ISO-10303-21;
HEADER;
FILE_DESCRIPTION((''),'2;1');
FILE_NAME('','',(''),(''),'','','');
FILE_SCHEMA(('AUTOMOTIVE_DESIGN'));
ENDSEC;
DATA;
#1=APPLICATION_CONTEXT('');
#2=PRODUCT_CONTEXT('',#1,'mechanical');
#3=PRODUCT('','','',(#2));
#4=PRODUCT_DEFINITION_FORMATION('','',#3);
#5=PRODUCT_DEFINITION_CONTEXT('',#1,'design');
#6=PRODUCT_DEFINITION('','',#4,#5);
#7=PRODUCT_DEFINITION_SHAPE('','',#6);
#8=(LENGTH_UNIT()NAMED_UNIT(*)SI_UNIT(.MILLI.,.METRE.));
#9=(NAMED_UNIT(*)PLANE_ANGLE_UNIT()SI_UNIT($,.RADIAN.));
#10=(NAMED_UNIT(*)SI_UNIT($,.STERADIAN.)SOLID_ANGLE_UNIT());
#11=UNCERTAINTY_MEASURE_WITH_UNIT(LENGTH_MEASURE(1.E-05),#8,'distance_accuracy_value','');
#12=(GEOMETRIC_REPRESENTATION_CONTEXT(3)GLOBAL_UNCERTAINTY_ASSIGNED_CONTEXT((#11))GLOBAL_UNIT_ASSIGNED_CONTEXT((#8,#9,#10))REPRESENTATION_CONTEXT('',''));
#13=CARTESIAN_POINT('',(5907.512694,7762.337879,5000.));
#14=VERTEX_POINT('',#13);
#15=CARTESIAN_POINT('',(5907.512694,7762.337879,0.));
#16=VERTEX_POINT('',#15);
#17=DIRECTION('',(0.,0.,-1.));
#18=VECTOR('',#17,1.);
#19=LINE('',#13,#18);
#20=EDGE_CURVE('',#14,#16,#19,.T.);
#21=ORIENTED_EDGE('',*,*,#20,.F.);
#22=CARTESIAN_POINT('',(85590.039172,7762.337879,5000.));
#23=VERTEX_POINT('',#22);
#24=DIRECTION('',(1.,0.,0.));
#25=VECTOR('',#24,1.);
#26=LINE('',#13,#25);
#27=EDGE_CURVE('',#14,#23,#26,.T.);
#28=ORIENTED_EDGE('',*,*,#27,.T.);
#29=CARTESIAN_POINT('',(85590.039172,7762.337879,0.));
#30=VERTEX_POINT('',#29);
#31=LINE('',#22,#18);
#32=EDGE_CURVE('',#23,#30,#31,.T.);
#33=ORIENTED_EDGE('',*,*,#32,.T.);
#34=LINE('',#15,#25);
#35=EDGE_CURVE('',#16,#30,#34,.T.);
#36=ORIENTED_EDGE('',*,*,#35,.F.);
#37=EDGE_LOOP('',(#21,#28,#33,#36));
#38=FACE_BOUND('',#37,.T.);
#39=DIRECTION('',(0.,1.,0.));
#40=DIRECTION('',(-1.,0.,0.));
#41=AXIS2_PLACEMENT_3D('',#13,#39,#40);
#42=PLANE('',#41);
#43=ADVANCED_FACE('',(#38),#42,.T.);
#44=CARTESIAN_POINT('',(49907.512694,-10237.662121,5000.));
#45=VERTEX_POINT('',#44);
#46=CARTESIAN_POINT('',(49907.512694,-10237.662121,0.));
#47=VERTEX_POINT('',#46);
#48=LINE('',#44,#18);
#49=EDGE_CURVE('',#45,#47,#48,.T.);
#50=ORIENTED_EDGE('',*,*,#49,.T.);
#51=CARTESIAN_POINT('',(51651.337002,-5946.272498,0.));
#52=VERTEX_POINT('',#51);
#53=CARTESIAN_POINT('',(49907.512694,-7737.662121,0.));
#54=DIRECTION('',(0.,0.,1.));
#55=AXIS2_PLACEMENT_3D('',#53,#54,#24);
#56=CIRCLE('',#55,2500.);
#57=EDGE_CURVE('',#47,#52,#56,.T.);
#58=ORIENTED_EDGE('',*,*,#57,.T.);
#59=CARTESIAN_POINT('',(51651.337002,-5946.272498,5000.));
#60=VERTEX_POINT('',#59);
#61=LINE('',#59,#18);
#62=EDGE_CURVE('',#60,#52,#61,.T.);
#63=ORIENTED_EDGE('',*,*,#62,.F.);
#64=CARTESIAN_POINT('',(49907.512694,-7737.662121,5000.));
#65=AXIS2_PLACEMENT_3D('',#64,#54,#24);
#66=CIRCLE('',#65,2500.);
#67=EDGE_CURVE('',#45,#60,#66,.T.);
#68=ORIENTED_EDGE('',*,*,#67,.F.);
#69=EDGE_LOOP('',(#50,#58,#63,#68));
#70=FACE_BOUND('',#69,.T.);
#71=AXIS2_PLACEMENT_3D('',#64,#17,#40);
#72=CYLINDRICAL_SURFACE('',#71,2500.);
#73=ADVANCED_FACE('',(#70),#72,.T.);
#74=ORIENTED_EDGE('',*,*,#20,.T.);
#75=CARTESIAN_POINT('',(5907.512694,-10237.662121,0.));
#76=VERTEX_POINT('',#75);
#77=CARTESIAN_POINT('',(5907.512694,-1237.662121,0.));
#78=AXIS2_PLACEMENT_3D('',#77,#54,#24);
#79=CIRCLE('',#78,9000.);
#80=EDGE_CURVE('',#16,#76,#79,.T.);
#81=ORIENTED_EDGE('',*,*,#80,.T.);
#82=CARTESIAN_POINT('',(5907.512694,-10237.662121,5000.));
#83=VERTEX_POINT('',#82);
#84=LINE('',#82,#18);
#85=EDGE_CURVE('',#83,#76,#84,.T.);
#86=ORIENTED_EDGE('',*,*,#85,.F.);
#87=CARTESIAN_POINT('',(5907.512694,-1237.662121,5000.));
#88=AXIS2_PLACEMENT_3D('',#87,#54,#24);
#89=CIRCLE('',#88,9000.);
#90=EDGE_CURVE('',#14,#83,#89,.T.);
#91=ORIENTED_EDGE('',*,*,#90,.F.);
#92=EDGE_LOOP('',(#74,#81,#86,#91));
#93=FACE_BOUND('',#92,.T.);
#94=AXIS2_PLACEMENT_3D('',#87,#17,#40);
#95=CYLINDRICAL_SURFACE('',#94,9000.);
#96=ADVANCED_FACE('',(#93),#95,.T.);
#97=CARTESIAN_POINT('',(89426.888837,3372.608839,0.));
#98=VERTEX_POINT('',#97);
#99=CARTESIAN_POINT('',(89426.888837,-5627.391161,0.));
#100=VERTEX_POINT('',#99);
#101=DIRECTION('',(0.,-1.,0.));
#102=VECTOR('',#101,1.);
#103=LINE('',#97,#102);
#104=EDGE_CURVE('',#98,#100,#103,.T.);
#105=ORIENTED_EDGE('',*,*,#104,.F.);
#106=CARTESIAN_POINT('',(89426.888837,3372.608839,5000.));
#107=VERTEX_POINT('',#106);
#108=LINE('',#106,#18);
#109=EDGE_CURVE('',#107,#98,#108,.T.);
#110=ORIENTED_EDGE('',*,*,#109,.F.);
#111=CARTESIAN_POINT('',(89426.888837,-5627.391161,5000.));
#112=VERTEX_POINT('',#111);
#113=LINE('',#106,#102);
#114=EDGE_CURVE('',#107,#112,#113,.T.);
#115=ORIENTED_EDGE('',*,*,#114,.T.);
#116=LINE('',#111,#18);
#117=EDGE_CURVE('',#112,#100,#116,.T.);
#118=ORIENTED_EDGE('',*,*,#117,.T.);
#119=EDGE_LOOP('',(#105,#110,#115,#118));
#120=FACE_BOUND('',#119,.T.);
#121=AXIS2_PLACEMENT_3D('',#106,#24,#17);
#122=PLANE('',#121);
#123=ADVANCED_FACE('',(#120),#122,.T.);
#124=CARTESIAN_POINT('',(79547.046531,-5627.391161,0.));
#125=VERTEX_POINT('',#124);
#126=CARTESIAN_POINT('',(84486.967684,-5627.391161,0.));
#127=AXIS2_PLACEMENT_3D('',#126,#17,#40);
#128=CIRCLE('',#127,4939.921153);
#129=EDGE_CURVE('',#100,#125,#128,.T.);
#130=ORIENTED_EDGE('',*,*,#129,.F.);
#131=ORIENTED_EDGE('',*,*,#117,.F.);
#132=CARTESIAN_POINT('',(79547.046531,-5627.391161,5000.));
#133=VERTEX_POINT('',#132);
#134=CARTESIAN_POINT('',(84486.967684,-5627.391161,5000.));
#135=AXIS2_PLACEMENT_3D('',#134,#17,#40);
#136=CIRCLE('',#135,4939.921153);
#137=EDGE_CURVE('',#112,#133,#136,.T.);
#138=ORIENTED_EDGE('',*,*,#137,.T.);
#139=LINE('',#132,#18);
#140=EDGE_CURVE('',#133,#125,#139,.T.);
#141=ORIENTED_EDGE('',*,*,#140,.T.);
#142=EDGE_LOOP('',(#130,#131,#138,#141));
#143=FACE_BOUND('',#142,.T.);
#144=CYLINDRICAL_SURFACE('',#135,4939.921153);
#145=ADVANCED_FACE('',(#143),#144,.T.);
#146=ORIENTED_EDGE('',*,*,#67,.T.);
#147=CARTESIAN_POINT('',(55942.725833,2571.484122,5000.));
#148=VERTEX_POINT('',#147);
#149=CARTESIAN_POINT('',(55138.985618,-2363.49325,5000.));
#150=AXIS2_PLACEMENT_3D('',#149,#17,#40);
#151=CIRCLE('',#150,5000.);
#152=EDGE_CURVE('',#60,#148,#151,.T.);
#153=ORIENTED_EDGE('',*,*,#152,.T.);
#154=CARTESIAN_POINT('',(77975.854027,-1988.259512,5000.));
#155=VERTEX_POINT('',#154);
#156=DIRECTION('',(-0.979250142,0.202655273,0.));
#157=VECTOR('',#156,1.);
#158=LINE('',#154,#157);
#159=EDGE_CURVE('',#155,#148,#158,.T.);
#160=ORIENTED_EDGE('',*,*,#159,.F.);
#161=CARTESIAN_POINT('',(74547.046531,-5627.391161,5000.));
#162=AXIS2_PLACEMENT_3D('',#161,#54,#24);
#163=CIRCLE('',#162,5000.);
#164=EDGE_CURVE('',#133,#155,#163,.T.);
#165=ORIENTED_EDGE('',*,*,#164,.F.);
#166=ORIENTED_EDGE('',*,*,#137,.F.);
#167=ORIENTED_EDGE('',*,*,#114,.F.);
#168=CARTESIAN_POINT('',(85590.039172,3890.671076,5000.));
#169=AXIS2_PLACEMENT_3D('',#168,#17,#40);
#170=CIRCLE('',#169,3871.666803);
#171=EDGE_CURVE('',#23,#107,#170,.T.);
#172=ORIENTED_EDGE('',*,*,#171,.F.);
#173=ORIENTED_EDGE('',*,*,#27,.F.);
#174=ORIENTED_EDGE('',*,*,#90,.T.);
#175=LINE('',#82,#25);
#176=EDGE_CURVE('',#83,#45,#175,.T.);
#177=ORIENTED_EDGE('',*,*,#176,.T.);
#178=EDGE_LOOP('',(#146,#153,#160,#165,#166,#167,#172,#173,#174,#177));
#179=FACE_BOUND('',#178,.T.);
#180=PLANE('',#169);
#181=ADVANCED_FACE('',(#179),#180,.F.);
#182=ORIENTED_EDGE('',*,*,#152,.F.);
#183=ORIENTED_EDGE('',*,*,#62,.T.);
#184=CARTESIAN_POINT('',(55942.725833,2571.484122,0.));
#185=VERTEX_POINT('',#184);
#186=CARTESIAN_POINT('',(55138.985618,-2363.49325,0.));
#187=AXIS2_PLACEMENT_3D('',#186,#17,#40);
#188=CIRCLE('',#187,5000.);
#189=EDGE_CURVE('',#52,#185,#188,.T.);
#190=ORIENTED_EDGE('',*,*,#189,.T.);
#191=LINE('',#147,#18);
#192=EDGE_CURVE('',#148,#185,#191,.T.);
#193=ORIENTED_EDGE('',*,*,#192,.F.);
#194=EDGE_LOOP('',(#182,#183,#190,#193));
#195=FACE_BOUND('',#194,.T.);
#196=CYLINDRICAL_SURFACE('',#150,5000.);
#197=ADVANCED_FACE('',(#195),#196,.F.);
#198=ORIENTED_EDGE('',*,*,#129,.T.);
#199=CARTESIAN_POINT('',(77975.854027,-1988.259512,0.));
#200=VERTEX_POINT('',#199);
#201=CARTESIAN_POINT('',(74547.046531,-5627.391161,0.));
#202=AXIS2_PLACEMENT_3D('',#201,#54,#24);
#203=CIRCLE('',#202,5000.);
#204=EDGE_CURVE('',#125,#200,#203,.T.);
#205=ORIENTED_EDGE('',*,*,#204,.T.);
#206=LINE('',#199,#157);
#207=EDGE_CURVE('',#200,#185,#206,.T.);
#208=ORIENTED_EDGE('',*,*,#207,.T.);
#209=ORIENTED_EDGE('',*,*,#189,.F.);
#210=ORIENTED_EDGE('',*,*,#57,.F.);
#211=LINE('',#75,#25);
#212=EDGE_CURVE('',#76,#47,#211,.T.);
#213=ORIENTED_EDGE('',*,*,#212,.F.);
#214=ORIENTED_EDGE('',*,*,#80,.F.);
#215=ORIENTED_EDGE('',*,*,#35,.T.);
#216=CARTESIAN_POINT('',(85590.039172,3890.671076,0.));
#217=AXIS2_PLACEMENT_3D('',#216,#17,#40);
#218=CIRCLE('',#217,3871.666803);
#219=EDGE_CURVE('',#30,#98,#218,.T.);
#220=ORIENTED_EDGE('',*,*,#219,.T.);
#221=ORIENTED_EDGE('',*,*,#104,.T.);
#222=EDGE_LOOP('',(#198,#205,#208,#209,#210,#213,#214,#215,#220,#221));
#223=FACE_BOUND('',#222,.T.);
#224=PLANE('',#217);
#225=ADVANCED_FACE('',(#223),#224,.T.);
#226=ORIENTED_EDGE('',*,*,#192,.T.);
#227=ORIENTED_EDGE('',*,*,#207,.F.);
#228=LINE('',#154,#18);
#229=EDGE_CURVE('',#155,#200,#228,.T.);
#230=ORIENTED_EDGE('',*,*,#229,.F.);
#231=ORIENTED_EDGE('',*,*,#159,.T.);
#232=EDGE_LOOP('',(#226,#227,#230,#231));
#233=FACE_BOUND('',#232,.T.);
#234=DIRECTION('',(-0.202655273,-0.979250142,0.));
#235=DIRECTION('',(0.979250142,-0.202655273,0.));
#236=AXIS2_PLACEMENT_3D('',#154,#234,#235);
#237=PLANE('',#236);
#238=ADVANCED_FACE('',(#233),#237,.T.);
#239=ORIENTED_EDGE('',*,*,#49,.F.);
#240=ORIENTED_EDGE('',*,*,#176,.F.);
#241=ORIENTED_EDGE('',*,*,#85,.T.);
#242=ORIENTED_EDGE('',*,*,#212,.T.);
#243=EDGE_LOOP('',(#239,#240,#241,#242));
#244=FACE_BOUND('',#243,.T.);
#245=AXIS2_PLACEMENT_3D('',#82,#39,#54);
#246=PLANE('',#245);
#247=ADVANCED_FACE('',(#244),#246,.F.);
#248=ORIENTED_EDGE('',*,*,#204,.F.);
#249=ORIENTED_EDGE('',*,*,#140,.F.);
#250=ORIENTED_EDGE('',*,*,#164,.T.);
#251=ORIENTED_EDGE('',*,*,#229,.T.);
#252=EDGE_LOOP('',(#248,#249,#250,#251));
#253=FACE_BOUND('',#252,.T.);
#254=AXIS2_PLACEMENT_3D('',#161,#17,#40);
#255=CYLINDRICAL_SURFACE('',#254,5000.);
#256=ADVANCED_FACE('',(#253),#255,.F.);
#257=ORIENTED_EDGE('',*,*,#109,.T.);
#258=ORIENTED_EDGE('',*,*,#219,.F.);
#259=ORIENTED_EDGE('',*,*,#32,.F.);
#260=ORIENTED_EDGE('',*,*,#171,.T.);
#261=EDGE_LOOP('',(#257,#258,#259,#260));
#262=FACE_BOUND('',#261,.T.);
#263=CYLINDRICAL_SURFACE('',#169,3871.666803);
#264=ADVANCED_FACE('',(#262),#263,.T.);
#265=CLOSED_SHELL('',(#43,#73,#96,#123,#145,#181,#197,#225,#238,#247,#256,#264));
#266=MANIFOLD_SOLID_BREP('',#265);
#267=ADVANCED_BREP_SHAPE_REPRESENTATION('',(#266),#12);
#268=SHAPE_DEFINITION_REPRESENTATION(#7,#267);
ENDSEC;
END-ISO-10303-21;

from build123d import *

# Parameters (mm, degrees)
BOSS_EXTRUDE2_DEPTH = 5000
BOSS_EXTRUDE6_DEPTH = 1212


with BuildPart() as part:
    # Sketch1 → Boss-Extrude2 (new body)
    with BuildSketch(Plane.XY):
        with BuildLine():
            Line((5907.51269427, 7762.337878808), (85590.03917175, 7762.337878808))
            ThreePointArc((85590.03917175, 7762.337878808), (88505.13507032, 6438.615293192), (89426.888836533, 3372.608839186))
            Line((89426.888836533, 3372.608839186), (89426.888836533, -5627.391160814))
            ThreePointArc((89426.888836533, -5627.391160814), (84486.967683967, -10567.31231338), (79547.046531401, -5627.391160814))
            ThreePointArc((79547.046531401, -5627.391160814), (79137.473389404, -3645.477625535), (77975.854026873, -1988.259511781))
            Line((77975.854026873, -1988.259511781), (55942.725833298, 2571.484121965))
            ThreePointArc((55942.725833298, 2571.484121965), (50673.68769565, -113.801167554), (51651.337002069, -5946.272497595))
            ThreePointArc((51651.337002069, -5946.272497595), (52223.594953063, -8678.811934189), (49907.51269427, -10237.662121192))
            Line((49907.51269427, -10237.662121192), (5907.51269427, -10237.662121192))
            ThreePointArc((5907.51269427, -10237.662121192), (-3092.48730573, -1237.662121192), (5907.51269427, 7762.337878808))
        make_face()
    extrude(amount=BOSS_EXTRUDE2_DEPTH)

    # Sketch3 → Boss-Extrude6 (add)
    with BuildSketch(Plane.XY.offset(5000)):
        with BuildLine():
            Line((85590.03917175, 6562.337878808), (5907.51269427, 6562.337878808))
            ThreePointArc((5907.51269427, 6562.337878808), (-1892.48730573, -1237.662121192), (5907.51269427, -9037.662121192))
            Line((5907.51269427, -9037.662121192), (49907.51269427, -9037.662121192))
            ThreePointArc((49907.51269427, -9037.662121192), (51111.875468842, -8227.06002395), (50814.301334326, -6806.139516922))
            ThreePointArc((50814.301334326, -6806.139516922), (49608.09207013, 438.152081508), (56162.21300372, 3751.488819598))
            Line((56162.21300372, 3751.488819598), (78532.454339426, -878.020191545))
            ThreePointArc((78532.454339426, -878.020191545), (80166.18918886, -3007.231662783), (80747.046531401, -5627.391160814))
            ThreePointArc((80747.046531401, -5627.391160814), (84486.967683967, -9367.31231338), (88226.888836533, -5627.391160814))
            Line((88226.888836533, -5627.391160814), (88226.888836533, 3460.755560892))
            ThreePointArc((88226.888836533, 3460.755560892), (87625.523698188, 5621.164140917), (85590.03917175, 6562.337878808))
        make_face()
    extrude(amount=-BOSS_EXTRUDE6_DEPTH)


solid = part.part
